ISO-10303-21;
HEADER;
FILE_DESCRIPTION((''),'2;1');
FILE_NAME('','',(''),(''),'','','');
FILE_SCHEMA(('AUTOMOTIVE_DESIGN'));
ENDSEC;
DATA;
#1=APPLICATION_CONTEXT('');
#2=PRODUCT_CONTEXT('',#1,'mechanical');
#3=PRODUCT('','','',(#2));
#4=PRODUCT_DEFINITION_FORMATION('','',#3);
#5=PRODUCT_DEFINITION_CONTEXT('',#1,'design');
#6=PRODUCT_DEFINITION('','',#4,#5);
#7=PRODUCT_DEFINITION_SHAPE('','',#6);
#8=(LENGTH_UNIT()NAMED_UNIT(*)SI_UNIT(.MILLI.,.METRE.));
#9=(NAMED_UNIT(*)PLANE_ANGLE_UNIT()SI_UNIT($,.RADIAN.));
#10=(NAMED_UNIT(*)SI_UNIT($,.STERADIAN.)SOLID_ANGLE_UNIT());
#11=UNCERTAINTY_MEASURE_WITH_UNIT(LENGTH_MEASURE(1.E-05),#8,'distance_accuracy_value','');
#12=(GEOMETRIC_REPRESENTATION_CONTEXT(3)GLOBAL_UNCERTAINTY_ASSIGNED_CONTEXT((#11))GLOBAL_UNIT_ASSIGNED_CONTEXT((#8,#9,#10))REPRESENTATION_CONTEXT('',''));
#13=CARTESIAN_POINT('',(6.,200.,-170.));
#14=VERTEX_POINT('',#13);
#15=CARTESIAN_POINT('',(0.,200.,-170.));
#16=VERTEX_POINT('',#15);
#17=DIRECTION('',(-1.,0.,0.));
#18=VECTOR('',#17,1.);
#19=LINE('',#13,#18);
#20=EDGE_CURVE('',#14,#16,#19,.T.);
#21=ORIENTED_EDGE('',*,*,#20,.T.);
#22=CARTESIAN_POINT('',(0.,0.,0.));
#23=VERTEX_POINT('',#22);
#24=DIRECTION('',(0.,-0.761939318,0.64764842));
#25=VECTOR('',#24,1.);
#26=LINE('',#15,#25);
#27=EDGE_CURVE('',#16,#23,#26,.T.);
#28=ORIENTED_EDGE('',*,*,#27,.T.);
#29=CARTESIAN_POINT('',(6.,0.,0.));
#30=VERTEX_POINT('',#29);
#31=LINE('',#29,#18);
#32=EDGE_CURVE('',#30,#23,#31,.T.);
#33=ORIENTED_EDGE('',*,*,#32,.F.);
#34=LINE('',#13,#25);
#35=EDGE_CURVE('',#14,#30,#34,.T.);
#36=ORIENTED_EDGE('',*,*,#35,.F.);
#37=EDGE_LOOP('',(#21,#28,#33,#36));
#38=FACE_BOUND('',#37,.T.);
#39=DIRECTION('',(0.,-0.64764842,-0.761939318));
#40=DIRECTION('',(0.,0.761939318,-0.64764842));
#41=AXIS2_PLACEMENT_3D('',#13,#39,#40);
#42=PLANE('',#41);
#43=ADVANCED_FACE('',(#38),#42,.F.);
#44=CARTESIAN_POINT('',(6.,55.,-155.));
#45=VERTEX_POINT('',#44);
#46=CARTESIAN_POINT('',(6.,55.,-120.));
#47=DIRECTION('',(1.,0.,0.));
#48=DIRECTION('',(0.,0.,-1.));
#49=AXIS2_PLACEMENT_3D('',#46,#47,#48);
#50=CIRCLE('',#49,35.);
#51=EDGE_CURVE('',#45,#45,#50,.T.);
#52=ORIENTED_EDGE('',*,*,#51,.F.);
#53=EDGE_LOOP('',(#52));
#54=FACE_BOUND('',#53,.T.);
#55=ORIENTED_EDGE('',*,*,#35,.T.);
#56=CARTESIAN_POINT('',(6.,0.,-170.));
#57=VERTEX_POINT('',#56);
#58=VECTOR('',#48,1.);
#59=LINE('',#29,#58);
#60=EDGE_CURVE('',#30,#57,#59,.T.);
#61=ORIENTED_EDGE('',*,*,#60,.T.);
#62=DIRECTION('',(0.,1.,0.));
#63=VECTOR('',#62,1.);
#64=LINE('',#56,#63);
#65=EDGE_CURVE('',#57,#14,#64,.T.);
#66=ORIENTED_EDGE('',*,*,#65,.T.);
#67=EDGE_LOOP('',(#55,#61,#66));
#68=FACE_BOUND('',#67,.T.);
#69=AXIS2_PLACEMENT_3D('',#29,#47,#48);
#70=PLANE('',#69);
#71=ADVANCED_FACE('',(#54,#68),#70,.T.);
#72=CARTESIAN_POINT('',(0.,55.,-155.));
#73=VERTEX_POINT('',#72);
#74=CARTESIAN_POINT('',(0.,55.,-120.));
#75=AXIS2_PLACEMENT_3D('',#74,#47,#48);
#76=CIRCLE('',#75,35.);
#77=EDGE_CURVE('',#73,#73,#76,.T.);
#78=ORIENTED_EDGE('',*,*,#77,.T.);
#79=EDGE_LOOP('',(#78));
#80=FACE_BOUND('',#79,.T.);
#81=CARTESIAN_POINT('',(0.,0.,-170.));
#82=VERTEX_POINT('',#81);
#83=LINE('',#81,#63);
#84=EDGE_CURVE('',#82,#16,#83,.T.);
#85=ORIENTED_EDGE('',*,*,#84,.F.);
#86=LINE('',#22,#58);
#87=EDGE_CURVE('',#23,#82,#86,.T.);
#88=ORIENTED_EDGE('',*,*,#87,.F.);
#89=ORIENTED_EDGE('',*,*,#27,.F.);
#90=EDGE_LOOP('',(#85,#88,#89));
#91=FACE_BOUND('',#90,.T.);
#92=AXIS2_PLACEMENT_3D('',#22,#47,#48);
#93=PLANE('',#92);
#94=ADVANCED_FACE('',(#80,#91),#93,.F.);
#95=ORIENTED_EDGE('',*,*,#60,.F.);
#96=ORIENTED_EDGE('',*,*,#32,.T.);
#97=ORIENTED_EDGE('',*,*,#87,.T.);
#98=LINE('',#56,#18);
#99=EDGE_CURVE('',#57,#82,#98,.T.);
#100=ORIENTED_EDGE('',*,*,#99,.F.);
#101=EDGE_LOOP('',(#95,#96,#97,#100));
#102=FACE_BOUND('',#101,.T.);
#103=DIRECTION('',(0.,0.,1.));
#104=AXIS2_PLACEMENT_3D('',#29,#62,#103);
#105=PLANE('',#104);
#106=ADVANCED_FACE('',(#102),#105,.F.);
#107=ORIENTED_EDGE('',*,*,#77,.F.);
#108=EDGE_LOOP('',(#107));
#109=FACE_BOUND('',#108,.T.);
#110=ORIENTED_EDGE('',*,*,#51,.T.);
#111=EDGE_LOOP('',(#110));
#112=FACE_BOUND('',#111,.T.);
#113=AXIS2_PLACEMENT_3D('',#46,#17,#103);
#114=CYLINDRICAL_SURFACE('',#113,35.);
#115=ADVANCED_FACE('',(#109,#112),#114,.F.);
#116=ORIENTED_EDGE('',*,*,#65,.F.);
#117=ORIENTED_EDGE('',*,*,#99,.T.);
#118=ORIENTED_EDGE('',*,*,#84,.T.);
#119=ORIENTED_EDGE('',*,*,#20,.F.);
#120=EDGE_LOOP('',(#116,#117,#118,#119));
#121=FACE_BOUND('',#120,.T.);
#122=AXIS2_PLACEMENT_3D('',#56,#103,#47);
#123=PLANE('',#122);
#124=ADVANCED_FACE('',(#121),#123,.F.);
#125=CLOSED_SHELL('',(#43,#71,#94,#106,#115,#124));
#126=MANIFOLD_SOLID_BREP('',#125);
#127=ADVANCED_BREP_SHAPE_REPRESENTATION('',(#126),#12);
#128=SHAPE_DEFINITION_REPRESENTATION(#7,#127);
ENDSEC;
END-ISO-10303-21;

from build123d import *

# Parameters (mm, degrees)
SKETCH1_R           = 35
BOSS_EXTRUDE1_DEPTH = 6


with BuildPart() as part:
    # Sketch1 → Boss-Extrude1 (new body)
    with BuildSketch(Plane(origin=(0, 0, 0), x_dir=(0, 0, -1), z_dir=(1, 0, 0))):
        Polygon((0, 0), (170, 0), (170, 200), align=None)
        with Locations((120, 55)):
            Circle(SKETCH1_R, mode=Mode.SUBTRACT)
    extrude(amount=BOSS_EXTRUDE1_DEPTH)


solid = part.part
